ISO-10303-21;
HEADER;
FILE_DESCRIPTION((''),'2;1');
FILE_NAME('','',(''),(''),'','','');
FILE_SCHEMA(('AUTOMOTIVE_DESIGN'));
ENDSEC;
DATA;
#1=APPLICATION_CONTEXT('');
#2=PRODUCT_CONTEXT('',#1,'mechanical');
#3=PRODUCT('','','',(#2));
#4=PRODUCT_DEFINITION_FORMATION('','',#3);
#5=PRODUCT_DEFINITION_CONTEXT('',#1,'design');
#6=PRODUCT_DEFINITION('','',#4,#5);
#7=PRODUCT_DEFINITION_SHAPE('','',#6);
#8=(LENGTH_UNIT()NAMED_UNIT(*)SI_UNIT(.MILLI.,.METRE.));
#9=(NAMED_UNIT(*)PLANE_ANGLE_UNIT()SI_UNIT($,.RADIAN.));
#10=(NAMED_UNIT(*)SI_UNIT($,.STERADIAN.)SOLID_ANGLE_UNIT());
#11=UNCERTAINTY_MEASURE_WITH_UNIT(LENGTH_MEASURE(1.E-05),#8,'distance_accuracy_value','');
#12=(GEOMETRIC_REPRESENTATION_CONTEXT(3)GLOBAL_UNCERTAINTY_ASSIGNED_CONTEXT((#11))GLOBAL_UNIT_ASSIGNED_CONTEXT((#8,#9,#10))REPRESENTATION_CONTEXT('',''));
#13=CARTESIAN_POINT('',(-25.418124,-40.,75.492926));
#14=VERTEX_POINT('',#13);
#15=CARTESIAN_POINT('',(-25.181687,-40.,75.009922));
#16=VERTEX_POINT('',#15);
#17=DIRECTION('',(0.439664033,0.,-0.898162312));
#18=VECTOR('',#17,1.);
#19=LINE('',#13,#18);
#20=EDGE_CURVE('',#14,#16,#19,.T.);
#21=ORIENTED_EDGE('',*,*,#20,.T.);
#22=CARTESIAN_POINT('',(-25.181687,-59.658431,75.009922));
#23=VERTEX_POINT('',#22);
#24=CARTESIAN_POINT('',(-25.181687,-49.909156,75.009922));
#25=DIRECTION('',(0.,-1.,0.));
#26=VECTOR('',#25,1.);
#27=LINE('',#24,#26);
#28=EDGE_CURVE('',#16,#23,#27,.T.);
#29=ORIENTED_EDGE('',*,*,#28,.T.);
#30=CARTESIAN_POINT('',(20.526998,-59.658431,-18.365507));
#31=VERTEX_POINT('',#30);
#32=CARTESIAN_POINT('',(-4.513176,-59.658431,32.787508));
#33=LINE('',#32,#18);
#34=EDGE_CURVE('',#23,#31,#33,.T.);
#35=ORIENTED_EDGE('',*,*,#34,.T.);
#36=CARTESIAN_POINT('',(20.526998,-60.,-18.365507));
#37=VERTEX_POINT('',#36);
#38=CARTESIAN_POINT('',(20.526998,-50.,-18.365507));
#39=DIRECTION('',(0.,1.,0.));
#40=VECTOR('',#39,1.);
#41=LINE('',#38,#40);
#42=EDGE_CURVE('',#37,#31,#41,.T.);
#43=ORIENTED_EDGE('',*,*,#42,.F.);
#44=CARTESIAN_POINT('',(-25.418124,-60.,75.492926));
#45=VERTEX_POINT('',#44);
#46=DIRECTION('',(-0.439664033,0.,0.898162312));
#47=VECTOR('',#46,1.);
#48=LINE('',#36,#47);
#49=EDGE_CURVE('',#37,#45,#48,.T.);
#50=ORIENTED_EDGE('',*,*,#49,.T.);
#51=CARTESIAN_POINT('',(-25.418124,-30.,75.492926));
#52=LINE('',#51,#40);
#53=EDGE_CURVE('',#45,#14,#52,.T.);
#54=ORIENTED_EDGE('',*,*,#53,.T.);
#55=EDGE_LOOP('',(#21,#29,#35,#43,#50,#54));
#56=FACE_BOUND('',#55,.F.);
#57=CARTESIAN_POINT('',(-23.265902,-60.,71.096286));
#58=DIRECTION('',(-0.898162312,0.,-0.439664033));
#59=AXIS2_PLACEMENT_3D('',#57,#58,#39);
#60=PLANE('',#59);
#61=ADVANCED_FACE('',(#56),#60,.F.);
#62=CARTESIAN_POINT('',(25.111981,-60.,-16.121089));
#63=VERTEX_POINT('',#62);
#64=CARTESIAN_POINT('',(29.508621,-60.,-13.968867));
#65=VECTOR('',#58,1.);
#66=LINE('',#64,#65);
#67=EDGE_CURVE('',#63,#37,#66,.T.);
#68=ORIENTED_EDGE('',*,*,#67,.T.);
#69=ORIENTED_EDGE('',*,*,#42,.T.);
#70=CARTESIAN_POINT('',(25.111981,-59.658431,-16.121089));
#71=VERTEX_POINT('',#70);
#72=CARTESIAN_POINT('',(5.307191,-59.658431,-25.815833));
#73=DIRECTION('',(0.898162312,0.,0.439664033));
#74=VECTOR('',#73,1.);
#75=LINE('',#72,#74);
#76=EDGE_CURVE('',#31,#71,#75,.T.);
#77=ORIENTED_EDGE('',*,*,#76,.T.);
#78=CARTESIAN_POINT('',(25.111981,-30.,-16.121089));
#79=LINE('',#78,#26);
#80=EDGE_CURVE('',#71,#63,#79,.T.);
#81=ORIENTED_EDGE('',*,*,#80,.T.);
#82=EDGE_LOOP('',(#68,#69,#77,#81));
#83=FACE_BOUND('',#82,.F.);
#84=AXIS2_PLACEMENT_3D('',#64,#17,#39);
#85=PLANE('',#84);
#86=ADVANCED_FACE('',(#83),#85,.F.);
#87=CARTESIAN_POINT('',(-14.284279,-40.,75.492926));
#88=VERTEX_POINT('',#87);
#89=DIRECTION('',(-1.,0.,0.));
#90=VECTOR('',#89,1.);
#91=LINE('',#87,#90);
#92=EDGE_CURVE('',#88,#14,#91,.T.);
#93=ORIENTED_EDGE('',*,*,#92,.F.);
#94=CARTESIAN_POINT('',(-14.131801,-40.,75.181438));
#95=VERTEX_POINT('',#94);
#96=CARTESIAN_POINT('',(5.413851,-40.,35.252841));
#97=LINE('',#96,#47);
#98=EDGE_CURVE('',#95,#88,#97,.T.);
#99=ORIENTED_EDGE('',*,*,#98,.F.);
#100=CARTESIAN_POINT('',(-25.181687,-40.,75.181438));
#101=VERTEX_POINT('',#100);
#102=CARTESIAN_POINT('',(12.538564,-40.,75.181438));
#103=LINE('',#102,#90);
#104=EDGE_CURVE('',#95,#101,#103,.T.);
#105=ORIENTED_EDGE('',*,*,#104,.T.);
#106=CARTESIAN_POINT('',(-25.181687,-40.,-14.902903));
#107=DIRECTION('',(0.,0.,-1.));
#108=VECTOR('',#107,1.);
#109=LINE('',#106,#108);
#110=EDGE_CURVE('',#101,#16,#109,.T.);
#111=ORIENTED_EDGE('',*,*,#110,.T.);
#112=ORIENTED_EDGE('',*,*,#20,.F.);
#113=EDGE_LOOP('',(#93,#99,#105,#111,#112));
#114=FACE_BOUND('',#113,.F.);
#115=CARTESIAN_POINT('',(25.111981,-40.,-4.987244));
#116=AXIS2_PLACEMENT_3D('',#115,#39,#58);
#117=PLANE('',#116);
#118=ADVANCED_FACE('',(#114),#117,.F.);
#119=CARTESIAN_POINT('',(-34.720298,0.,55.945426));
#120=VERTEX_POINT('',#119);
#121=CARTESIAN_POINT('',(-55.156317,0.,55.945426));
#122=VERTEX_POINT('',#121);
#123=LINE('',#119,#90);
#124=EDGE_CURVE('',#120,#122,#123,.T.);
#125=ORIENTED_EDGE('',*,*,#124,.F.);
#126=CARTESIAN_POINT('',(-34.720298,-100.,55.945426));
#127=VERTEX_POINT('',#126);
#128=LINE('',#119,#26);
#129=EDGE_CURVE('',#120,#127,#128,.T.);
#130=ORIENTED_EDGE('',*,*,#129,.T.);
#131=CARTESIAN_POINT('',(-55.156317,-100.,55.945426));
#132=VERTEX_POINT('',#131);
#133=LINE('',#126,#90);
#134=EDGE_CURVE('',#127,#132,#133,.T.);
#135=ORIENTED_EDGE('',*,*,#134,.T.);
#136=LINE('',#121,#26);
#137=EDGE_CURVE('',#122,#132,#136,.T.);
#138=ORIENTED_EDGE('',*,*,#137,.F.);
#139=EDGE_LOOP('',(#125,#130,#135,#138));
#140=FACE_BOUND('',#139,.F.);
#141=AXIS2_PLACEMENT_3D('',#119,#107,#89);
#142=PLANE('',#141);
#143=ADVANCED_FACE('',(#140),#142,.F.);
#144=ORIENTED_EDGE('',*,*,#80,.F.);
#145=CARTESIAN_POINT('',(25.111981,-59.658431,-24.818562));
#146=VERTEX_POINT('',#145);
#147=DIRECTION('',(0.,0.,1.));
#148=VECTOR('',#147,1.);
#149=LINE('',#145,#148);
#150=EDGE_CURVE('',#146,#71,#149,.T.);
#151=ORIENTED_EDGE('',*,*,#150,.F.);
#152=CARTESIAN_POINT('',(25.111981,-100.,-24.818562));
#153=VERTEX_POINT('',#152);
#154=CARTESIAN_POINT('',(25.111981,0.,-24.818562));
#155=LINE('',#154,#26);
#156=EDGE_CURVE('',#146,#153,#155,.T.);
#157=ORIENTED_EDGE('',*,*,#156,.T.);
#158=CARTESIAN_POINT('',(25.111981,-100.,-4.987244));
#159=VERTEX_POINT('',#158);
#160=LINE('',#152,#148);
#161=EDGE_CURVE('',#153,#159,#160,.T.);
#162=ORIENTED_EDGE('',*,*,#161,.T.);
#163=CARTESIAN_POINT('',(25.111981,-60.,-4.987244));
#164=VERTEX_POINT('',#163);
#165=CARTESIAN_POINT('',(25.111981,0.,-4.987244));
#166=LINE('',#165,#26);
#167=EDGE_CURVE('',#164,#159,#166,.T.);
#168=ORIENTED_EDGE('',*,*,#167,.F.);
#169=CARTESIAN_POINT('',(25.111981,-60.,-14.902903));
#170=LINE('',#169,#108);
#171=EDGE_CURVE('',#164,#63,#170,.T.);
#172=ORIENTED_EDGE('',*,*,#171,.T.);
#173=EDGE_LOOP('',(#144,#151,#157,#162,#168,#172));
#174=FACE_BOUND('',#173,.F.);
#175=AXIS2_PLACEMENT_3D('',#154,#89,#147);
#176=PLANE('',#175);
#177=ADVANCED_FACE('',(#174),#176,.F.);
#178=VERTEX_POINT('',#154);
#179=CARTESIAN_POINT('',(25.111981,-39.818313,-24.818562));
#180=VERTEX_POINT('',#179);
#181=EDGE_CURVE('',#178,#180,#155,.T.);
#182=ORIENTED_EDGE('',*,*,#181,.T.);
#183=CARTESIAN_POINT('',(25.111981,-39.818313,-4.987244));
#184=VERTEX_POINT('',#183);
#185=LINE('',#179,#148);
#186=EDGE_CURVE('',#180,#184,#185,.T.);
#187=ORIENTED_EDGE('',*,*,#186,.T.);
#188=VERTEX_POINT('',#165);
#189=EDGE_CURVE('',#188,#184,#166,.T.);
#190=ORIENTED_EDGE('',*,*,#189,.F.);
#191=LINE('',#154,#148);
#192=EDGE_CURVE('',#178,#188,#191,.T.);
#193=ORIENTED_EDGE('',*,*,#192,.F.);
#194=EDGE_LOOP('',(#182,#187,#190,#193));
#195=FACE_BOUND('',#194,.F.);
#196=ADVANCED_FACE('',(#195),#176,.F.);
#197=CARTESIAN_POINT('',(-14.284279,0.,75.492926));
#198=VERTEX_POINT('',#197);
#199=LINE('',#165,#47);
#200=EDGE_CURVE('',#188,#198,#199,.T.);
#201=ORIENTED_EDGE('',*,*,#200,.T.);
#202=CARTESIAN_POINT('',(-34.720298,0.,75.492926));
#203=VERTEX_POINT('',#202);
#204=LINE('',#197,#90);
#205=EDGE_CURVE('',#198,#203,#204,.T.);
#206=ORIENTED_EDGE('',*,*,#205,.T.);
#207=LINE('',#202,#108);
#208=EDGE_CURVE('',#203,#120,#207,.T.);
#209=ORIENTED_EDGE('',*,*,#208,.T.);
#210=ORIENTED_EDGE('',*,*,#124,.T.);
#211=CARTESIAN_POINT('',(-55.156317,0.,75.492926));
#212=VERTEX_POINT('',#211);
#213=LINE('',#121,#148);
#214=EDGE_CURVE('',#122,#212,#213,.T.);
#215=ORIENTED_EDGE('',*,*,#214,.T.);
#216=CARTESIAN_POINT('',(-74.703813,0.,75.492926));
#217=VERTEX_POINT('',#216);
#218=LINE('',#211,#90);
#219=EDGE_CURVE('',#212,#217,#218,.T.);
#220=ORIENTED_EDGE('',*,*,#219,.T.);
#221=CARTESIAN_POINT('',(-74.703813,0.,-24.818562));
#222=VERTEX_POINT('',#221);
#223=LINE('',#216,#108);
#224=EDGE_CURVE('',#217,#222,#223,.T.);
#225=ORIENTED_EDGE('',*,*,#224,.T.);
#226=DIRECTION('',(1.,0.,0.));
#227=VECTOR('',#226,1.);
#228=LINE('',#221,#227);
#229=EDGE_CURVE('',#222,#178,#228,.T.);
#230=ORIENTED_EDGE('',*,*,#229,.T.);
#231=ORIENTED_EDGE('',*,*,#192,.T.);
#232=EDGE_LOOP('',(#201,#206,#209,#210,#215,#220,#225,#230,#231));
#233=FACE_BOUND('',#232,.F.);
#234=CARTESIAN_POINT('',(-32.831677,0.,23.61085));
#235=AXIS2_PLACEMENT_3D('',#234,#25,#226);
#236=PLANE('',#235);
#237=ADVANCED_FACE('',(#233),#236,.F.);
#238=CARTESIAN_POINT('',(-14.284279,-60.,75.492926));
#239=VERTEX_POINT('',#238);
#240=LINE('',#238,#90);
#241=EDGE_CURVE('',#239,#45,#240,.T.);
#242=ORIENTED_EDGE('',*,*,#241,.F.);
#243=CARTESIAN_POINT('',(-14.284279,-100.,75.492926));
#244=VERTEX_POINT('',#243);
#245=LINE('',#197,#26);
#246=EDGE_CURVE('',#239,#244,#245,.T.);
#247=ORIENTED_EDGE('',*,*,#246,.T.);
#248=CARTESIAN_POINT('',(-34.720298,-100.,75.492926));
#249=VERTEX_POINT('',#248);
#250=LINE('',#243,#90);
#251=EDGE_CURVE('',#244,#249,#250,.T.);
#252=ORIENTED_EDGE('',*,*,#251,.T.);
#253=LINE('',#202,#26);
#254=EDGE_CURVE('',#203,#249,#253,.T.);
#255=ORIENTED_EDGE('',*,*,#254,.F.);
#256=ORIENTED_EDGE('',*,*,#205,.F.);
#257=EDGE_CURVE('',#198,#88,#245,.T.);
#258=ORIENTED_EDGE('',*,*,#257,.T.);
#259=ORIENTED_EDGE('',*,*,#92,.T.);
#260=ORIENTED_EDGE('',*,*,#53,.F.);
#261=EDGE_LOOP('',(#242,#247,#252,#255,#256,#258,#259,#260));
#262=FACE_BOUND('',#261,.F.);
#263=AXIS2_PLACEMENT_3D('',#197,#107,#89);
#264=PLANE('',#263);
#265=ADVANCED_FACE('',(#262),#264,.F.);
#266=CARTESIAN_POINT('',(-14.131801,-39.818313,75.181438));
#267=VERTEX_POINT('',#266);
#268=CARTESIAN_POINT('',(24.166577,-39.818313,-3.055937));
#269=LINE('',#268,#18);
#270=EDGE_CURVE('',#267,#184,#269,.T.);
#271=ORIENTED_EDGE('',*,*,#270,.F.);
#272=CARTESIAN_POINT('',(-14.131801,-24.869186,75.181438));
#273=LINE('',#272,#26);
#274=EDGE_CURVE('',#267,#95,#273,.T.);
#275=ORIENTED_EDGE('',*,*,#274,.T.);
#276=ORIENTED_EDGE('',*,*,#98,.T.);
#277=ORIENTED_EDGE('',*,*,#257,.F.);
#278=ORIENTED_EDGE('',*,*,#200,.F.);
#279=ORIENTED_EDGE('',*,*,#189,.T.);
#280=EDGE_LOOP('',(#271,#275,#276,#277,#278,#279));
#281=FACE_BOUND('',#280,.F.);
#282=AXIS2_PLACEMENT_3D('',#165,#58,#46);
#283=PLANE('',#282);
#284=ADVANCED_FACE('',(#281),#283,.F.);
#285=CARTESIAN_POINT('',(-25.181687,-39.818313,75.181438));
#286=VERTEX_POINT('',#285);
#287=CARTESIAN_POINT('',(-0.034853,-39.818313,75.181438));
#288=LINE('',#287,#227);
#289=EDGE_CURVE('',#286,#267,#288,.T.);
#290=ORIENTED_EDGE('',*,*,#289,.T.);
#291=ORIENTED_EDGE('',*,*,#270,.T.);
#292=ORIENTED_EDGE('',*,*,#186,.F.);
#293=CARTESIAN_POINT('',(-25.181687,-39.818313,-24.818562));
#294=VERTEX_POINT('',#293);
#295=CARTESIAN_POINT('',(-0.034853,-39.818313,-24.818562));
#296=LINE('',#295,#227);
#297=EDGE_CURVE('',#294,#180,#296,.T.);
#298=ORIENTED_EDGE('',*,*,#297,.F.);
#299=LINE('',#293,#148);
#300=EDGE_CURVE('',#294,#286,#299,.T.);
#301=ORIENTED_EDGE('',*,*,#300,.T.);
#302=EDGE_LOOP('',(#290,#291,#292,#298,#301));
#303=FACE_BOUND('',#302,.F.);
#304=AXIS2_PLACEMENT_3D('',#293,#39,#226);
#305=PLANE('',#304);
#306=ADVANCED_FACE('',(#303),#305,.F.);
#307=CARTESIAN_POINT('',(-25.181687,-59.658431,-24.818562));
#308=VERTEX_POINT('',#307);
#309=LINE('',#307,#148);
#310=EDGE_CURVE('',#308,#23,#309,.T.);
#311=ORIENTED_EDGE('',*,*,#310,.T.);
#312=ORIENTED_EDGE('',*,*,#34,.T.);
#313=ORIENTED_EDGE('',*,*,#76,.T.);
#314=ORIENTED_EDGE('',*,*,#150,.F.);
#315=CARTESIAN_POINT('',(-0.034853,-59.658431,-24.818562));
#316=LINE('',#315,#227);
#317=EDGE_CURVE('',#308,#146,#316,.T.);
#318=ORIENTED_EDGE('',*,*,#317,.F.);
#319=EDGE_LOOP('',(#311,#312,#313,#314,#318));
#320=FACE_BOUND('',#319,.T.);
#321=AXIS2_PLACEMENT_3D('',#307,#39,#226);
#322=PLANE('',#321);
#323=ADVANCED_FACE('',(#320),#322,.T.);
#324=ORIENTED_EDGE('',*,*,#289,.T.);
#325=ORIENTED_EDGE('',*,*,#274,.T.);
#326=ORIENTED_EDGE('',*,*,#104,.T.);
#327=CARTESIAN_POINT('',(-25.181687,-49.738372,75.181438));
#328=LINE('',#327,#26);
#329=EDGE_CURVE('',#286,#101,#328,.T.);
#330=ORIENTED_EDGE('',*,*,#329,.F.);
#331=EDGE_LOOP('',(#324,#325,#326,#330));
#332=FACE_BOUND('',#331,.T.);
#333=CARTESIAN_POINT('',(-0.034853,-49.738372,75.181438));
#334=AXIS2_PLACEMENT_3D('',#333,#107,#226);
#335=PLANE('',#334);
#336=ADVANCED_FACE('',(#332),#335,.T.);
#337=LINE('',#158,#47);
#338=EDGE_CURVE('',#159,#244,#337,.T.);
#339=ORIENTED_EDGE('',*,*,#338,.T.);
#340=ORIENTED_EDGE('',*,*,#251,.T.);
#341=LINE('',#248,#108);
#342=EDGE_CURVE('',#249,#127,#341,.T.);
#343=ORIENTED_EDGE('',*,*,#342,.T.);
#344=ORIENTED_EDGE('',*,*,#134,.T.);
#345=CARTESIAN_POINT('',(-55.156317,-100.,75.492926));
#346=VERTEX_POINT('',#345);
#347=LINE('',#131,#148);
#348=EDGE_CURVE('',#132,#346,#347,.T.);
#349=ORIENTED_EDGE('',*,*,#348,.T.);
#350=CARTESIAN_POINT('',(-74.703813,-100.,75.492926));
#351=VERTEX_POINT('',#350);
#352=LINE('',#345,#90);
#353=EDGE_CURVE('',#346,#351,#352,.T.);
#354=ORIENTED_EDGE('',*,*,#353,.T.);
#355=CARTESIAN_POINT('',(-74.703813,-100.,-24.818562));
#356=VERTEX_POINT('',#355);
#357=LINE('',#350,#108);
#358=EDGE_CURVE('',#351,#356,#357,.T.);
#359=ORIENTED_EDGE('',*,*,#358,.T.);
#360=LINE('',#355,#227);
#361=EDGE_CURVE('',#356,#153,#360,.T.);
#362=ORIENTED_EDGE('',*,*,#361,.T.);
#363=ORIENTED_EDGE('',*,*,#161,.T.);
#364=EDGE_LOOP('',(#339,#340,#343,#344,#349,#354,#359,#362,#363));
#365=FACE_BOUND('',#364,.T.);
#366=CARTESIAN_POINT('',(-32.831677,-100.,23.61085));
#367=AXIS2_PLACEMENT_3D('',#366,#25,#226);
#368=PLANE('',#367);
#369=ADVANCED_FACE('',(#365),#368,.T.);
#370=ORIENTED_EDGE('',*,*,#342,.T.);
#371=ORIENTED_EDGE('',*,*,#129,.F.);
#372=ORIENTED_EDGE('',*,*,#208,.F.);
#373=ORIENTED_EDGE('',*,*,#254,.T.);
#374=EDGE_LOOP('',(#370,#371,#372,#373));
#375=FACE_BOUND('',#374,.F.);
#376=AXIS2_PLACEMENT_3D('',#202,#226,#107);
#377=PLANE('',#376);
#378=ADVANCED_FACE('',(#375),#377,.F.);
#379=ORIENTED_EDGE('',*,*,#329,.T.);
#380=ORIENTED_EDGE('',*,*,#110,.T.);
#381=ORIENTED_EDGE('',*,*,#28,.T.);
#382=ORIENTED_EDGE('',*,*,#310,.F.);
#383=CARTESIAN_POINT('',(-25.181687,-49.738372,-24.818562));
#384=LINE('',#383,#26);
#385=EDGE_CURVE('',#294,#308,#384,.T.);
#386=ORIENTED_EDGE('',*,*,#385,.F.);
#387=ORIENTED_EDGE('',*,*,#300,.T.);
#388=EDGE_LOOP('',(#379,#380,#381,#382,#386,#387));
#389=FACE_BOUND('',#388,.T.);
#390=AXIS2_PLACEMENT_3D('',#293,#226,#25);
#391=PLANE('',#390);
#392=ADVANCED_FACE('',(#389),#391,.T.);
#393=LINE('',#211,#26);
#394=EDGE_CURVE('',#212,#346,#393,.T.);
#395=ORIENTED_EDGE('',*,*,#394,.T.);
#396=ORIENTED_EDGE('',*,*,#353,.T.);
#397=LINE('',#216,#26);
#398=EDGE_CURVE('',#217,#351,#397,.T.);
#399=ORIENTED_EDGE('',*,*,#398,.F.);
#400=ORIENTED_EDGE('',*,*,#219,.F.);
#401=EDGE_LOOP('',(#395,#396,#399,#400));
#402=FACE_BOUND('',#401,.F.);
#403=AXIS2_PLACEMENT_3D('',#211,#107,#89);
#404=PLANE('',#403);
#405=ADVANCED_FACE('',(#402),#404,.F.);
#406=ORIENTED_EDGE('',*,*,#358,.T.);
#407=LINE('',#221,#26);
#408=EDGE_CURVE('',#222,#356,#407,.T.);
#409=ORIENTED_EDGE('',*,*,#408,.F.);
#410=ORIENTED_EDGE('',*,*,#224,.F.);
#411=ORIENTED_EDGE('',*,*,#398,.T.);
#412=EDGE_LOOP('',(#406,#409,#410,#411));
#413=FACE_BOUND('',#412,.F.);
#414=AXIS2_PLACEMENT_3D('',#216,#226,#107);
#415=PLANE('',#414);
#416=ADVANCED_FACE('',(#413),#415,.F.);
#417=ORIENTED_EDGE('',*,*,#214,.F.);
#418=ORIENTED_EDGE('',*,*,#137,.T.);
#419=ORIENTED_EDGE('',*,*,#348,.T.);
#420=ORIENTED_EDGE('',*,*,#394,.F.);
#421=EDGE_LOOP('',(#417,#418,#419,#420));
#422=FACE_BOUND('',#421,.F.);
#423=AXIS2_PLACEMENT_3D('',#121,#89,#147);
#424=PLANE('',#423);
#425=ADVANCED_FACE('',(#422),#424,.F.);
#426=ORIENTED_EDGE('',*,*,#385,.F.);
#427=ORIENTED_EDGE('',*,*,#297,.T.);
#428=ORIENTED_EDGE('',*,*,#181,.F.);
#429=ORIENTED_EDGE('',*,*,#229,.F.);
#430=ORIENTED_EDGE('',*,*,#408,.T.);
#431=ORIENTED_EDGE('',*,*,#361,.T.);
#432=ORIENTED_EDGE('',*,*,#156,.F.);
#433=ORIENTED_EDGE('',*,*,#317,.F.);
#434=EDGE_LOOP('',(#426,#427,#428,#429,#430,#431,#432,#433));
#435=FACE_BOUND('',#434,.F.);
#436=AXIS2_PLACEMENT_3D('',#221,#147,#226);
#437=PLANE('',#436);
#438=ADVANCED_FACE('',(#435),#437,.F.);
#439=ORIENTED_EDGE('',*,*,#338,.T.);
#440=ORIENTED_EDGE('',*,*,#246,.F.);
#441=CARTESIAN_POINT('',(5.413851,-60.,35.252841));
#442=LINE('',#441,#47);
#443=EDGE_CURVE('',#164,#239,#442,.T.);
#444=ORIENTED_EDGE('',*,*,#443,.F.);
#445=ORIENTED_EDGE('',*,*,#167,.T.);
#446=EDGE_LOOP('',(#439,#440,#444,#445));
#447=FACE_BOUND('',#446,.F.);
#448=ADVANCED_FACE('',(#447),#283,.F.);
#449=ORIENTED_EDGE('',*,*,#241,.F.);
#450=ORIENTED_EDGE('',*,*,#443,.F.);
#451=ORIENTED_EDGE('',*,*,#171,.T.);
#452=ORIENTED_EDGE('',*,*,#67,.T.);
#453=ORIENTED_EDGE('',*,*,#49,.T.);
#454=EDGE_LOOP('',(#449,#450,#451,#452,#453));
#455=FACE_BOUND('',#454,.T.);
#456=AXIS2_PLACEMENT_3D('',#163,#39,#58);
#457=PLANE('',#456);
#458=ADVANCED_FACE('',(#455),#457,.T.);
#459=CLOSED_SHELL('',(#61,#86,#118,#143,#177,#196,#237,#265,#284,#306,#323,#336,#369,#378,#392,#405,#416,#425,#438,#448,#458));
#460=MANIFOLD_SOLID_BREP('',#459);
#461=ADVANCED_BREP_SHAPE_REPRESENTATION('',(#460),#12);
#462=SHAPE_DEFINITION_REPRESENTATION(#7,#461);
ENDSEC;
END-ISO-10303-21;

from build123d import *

# Parameters (mm, degrees)
F1_DEPTH = 100
F2_W     = 20
F2_H     = 89.6053736129
F3_DEPTH = 10
F4_DEPTH = 10
F5_DEPTH = 10
F6_W     = 50.2936672419
F6_H     = 19.8401175439
F7_DEPTH = 100


with BuildPart() as f1:
    # F0 (on Front) → F1 (new body)
    with BuildSketch(Plane.XZ):
        Polygon((-55.1563166082, 75.4929259419), (-74.7038125992, 75.4929259419), (-74.7038125992, -24.8185619712), (25.1119807363, -24.8185619712), (25.1119807363, -4.9872435629), (-14.2842791975, 75.4929259419), (-34.7202979028, 75.4929259419), (-34.7202979028, 55.9454262257), (-55.1563166082, 55.9454262257), align=None)
    extrude(amount=F1_DEPTH)

    # F2 (on face) → F3 (cut)
    with BuildSketch(Plane(origin=(18.2883118785, 0, 8.9524052067), x_dir=(0, 1, 0), z_dir=(0.8981623117, 0, 0.4396640329))):
        with Locations((-50, 29.2824978739)):
            Rectangle(F2_W, F2_H)
    extrude(amount=-F3_DEPTH, mode=Mode.SUBTRACT)

    # F4 (cut): a face of the model
    f4_faces = [f1.faces().sort_by_distance(p)[0] for p in [
        (-18.775090756, -50, 73.2946057774),
    ]]
    extrude(f4_faces, amount=-F4_DEPTH, mode=Mode.SUBTRACT)

    # F5 (cut): a face of the model
    f5_faces = [f1.faces().sort_by_distance(p)[0] for p in [
        (20.6211691778, -50, -7.1855637275),
    ]]
    extrude(f5_faces, amount=-F5_DEPTH, mode=Mode.SUBTRACT)

    # F6 (on face) → F7 (cut)
    with BuildSketch(Plane(origin=(0, 0, -24.8185619712), x_dir=(1, 0, 0), z_dir=(0, 0, -1))):
        with Locations((-0.0348528847, 49.7383717448)):
            Rectangle(F6_W, F6_H)
    extrude(amount=-F7_DEPTH, mode=Mode.SUBTRACT)


solid = f1.part
